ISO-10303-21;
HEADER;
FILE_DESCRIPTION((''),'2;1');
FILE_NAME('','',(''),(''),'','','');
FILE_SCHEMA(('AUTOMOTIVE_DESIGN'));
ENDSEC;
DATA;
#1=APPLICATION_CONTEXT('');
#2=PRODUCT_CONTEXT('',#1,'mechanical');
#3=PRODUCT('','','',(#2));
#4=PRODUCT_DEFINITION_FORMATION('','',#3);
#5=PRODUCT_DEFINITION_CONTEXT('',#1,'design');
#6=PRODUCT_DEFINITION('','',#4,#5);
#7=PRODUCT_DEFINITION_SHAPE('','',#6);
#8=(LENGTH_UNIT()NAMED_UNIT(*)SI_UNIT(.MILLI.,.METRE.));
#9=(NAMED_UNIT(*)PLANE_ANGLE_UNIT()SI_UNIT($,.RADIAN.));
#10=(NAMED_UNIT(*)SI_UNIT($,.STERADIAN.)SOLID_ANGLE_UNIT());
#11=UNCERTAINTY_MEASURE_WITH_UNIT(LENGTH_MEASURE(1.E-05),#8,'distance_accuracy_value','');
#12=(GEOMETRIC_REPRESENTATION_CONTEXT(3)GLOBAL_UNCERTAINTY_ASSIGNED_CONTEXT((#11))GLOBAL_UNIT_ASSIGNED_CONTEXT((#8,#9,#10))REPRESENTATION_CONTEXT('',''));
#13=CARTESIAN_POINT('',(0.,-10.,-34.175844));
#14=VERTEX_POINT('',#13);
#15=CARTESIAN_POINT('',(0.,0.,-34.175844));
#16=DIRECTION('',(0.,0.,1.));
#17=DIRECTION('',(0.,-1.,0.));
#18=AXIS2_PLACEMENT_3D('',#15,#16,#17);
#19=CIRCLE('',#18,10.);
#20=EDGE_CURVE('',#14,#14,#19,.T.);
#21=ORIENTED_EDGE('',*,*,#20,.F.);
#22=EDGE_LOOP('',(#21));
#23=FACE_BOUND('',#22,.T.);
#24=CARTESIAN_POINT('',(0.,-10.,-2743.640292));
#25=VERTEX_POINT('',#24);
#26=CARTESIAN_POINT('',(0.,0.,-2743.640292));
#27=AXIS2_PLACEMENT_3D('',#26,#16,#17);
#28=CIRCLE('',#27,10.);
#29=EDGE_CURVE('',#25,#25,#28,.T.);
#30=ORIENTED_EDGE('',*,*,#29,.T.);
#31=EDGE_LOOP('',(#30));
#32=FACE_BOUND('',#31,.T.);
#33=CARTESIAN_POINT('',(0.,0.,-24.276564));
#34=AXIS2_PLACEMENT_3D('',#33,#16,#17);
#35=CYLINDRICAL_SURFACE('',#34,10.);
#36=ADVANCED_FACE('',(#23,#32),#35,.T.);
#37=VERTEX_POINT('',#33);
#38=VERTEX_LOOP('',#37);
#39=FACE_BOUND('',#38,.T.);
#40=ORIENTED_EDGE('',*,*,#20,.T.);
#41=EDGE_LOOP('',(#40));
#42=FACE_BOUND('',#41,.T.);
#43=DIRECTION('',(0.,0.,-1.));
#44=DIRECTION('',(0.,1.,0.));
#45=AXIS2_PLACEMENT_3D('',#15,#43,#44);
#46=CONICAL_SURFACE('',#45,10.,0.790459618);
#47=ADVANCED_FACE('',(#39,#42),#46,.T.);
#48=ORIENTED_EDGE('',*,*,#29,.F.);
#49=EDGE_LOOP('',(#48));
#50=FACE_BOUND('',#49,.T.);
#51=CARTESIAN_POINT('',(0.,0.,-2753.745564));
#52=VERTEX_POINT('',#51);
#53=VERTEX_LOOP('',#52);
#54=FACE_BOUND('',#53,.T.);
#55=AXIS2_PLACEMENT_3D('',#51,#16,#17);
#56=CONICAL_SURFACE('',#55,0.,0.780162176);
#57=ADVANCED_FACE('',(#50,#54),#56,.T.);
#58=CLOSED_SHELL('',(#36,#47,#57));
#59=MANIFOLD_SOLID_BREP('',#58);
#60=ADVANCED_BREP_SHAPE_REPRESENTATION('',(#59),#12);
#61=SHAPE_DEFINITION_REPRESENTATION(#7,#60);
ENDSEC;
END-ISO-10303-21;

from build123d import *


with BuildPart() as part:
    # Sketch1 → Revolve1 (revolve)
    with BuildSketch(Plane(origin=(0, 0, 0), x_dir=(0, 0, -1), z_dir=(1, 0, 0)), mode=Mode.PRIVATE) as revolve1_sk:
        Polygon((24.276564036, 0), (34.17584387, 10), (2743.640292116, 10), (2753.745564036, 0), (2057.660148801, 0), align=None)
    revolve(revolve1_sk.sketch.rotate(Axis((0, 0, -24.276564036), (0, 0, -1)), 180), axis=Axis((0, 0, -24.276564036), (0, 0, -1)))


solid = part.part
